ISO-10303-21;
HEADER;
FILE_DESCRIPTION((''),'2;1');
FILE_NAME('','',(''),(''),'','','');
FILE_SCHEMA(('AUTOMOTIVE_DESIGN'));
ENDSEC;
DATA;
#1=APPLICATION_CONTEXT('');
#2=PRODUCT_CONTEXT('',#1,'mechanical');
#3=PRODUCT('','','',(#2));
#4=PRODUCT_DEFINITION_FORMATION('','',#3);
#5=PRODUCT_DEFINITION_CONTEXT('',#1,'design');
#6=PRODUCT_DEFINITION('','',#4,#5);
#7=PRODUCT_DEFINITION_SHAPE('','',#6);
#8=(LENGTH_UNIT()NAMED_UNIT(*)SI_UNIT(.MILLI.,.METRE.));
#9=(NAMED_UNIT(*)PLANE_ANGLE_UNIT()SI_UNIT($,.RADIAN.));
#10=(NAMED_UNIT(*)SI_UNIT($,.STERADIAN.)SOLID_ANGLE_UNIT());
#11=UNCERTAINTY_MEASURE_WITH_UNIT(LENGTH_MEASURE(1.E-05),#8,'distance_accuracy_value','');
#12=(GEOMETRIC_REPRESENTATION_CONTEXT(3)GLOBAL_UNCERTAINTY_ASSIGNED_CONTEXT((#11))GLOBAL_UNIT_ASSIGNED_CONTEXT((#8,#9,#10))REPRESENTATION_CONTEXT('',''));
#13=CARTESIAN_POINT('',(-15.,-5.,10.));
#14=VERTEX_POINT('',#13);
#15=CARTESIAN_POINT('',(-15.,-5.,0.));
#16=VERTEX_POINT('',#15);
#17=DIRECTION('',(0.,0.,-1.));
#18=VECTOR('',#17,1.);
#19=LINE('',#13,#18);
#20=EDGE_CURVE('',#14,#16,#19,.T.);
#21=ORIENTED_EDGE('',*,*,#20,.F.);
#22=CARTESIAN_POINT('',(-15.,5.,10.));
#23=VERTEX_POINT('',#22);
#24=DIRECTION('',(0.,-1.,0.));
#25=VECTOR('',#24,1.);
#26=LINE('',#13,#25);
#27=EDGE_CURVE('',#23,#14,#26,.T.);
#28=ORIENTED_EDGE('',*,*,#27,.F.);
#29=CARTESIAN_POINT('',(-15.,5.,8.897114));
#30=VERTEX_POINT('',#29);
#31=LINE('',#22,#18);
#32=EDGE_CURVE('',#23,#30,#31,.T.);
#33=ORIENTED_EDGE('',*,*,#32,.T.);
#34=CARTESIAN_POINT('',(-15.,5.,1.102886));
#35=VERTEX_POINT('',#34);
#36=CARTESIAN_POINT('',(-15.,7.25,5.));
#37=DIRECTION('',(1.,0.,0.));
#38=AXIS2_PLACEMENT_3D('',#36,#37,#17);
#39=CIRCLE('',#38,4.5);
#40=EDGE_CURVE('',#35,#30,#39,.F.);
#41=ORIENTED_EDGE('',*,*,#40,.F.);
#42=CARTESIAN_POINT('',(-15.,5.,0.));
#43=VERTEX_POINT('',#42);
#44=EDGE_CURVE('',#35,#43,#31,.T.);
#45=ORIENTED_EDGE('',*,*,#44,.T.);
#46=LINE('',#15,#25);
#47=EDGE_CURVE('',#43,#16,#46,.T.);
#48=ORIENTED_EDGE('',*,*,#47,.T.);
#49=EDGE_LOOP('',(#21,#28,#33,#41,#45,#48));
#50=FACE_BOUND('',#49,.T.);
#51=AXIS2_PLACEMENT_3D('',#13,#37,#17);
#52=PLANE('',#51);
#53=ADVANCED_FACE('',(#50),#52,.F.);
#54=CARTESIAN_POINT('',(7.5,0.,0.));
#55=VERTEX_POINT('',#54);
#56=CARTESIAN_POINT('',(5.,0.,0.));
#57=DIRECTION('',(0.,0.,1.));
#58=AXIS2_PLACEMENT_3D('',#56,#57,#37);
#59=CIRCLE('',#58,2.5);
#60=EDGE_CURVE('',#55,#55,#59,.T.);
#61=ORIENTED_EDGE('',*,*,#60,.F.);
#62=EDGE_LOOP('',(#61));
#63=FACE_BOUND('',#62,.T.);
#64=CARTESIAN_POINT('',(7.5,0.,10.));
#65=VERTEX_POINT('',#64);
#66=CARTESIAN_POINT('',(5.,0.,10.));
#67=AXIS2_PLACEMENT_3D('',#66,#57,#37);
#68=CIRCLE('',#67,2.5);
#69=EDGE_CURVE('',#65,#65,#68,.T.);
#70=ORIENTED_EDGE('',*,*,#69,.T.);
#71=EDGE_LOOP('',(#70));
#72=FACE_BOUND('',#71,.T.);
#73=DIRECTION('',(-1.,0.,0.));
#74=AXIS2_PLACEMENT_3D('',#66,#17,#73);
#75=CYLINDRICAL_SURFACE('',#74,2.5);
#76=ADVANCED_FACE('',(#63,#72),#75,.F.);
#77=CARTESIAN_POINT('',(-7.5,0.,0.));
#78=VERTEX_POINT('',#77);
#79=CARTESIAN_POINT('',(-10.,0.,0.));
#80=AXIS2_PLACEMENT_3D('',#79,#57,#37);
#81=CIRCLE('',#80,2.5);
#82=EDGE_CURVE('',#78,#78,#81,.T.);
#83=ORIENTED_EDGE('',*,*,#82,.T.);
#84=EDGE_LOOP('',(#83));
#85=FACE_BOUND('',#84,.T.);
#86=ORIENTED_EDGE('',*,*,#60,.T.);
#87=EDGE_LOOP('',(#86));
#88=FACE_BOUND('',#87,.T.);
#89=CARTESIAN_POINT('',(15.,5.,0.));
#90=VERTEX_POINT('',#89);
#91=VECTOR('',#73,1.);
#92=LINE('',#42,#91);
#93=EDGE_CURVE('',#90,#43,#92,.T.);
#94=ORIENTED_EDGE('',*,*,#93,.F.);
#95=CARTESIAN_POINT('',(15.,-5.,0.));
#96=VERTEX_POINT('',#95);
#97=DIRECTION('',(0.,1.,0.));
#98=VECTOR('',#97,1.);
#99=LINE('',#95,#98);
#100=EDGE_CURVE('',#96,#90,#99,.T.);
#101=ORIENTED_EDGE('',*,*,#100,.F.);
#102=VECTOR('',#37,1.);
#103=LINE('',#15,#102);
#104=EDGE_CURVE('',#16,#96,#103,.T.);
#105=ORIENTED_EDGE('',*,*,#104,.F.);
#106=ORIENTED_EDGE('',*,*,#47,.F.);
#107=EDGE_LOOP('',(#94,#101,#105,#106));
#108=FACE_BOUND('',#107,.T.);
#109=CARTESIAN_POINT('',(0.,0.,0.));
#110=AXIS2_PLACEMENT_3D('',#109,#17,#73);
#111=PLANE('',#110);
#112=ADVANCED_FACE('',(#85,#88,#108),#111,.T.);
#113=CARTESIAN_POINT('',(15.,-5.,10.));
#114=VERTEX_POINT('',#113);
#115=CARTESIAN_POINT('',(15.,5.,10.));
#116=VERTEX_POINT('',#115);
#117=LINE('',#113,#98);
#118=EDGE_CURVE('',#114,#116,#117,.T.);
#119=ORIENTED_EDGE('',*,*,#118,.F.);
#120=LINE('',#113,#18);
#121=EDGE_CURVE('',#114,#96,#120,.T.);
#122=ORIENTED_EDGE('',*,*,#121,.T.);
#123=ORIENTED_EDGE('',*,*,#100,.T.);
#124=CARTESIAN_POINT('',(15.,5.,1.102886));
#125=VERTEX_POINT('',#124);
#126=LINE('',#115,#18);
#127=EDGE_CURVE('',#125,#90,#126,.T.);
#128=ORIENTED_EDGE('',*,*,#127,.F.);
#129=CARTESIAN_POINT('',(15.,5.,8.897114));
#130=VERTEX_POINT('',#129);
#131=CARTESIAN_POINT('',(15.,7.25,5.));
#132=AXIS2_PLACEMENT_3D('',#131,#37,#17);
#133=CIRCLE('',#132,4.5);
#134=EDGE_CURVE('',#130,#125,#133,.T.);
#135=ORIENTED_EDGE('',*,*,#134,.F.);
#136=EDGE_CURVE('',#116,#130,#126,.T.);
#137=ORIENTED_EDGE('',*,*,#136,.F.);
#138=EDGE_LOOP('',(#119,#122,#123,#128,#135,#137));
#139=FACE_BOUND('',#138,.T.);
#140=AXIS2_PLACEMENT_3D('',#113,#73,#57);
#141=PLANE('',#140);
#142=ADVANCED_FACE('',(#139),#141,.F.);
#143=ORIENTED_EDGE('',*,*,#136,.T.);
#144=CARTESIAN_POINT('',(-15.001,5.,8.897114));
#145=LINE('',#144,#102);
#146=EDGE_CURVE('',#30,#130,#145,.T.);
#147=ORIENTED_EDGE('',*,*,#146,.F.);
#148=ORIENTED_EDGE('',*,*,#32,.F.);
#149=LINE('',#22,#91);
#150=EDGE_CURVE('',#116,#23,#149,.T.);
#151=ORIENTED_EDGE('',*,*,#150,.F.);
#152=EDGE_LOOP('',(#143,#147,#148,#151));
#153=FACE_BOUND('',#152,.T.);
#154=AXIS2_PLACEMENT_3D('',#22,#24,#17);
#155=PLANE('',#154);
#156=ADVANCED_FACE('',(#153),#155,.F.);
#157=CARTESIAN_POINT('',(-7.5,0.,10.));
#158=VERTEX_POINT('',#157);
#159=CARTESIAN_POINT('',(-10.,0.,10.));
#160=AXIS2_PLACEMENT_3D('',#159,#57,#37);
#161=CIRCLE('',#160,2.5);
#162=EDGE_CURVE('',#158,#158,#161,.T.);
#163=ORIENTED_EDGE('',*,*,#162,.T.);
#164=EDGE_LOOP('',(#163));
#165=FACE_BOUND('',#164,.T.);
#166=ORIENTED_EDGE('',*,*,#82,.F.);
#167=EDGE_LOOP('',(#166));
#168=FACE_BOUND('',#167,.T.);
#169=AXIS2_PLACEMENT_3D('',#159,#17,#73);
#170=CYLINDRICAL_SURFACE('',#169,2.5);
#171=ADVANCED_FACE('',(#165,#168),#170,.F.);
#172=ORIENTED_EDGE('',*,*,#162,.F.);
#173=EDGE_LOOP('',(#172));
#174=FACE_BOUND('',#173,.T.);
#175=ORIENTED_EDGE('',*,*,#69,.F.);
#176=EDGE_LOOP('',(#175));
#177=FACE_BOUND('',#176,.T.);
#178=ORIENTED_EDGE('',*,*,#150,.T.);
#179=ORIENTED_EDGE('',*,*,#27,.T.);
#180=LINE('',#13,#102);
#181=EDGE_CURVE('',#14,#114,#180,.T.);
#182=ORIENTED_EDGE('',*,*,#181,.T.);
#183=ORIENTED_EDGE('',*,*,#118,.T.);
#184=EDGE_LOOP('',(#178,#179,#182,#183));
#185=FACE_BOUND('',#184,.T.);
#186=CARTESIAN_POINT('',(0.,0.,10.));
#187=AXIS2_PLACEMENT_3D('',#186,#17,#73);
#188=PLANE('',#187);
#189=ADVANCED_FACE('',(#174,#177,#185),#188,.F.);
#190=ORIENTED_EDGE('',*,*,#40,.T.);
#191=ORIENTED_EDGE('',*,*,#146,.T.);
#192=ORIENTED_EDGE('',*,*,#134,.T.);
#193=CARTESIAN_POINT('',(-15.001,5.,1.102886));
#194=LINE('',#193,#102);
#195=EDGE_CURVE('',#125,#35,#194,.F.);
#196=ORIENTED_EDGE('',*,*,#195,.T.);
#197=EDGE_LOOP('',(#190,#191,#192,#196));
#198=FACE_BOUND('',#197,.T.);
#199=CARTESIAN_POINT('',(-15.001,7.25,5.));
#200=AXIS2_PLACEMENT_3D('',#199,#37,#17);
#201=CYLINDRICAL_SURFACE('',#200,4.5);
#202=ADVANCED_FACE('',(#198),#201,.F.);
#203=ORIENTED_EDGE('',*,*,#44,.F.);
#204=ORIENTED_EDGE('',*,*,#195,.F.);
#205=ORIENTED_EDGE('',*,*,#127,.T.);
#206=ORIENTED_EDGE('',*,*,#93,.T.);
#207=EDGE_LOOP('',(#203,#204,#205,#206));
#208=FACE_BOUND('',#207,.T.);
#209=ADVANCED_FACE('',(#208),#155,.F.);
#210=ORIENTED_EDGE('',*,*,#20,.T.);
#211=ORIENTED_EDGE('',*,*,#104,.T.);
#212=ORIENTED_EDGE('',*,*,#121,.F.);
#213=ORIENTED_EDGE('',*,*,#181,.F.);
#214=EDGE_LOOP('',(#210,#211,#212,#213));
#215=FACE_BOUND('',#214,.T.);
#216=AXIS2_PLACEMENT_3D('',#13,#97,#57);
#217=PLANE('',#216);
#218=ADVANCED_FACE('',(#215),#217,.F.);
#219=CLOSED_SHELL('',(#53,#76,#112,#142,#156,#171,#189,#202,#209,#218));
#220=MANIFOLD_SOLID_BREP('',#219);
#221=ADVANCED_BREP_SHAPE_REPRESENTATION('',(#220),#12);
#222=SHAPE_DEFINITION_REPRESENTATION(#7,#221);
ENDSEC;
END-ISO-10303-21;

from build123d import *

# Parameters (mm, degrees)
SKETCH_1_W          = 30
SKETCH_1_H          = 10
SKETCH_1_R          = 2.5
EXTRUDE_1_DEPTH     = 10
CUT_EXTRUDE_1_REACH = 34.016
SKETCH_2_R          = 4.5


with BuildPart() as part:
    # 草圖1 → 填料-伸長1 (new body)
    with BuildSketch(Plane.XY):
        Rectangle(SKETCH_1_W, SKETCH_1_H)
        with Locations((-10, 0)):
            Circle(SKETCH_1_R, mode=Mode.SUBTRACT)
        with Locations((5, 0)):
            Circle(SKETCH_1_R, mode=Mode.SUBTRACT)
    extrude(amount=EXTRUDE_1_DEPTH)

    # 草圖2 → 除料-伸長1 (cut, up to next)
    with BuildSketch(Plane(origin=(15, 0, 0), x_dir=(0, 0, -1), z_dir=(1, 0, 0)), mode=Mode.PRIVATE) as cut_extrude_1_sk1:
        with Locations((-5, 7.25)):
            Circle(SKETCH_2_R)
    cut_extrude_1_tool1 = extrude(cut_extrude_1_sk1.sketch, amount=-CUT_EXTRUDE_1_REACH, mode=Mode.PRIVATE) & part.part
    add(cut_extrude_1_tool1.solids().sort_by_distance((15, 7.25, 5))[0], mode=Mode.SUBTRACT)


solid = part.part
